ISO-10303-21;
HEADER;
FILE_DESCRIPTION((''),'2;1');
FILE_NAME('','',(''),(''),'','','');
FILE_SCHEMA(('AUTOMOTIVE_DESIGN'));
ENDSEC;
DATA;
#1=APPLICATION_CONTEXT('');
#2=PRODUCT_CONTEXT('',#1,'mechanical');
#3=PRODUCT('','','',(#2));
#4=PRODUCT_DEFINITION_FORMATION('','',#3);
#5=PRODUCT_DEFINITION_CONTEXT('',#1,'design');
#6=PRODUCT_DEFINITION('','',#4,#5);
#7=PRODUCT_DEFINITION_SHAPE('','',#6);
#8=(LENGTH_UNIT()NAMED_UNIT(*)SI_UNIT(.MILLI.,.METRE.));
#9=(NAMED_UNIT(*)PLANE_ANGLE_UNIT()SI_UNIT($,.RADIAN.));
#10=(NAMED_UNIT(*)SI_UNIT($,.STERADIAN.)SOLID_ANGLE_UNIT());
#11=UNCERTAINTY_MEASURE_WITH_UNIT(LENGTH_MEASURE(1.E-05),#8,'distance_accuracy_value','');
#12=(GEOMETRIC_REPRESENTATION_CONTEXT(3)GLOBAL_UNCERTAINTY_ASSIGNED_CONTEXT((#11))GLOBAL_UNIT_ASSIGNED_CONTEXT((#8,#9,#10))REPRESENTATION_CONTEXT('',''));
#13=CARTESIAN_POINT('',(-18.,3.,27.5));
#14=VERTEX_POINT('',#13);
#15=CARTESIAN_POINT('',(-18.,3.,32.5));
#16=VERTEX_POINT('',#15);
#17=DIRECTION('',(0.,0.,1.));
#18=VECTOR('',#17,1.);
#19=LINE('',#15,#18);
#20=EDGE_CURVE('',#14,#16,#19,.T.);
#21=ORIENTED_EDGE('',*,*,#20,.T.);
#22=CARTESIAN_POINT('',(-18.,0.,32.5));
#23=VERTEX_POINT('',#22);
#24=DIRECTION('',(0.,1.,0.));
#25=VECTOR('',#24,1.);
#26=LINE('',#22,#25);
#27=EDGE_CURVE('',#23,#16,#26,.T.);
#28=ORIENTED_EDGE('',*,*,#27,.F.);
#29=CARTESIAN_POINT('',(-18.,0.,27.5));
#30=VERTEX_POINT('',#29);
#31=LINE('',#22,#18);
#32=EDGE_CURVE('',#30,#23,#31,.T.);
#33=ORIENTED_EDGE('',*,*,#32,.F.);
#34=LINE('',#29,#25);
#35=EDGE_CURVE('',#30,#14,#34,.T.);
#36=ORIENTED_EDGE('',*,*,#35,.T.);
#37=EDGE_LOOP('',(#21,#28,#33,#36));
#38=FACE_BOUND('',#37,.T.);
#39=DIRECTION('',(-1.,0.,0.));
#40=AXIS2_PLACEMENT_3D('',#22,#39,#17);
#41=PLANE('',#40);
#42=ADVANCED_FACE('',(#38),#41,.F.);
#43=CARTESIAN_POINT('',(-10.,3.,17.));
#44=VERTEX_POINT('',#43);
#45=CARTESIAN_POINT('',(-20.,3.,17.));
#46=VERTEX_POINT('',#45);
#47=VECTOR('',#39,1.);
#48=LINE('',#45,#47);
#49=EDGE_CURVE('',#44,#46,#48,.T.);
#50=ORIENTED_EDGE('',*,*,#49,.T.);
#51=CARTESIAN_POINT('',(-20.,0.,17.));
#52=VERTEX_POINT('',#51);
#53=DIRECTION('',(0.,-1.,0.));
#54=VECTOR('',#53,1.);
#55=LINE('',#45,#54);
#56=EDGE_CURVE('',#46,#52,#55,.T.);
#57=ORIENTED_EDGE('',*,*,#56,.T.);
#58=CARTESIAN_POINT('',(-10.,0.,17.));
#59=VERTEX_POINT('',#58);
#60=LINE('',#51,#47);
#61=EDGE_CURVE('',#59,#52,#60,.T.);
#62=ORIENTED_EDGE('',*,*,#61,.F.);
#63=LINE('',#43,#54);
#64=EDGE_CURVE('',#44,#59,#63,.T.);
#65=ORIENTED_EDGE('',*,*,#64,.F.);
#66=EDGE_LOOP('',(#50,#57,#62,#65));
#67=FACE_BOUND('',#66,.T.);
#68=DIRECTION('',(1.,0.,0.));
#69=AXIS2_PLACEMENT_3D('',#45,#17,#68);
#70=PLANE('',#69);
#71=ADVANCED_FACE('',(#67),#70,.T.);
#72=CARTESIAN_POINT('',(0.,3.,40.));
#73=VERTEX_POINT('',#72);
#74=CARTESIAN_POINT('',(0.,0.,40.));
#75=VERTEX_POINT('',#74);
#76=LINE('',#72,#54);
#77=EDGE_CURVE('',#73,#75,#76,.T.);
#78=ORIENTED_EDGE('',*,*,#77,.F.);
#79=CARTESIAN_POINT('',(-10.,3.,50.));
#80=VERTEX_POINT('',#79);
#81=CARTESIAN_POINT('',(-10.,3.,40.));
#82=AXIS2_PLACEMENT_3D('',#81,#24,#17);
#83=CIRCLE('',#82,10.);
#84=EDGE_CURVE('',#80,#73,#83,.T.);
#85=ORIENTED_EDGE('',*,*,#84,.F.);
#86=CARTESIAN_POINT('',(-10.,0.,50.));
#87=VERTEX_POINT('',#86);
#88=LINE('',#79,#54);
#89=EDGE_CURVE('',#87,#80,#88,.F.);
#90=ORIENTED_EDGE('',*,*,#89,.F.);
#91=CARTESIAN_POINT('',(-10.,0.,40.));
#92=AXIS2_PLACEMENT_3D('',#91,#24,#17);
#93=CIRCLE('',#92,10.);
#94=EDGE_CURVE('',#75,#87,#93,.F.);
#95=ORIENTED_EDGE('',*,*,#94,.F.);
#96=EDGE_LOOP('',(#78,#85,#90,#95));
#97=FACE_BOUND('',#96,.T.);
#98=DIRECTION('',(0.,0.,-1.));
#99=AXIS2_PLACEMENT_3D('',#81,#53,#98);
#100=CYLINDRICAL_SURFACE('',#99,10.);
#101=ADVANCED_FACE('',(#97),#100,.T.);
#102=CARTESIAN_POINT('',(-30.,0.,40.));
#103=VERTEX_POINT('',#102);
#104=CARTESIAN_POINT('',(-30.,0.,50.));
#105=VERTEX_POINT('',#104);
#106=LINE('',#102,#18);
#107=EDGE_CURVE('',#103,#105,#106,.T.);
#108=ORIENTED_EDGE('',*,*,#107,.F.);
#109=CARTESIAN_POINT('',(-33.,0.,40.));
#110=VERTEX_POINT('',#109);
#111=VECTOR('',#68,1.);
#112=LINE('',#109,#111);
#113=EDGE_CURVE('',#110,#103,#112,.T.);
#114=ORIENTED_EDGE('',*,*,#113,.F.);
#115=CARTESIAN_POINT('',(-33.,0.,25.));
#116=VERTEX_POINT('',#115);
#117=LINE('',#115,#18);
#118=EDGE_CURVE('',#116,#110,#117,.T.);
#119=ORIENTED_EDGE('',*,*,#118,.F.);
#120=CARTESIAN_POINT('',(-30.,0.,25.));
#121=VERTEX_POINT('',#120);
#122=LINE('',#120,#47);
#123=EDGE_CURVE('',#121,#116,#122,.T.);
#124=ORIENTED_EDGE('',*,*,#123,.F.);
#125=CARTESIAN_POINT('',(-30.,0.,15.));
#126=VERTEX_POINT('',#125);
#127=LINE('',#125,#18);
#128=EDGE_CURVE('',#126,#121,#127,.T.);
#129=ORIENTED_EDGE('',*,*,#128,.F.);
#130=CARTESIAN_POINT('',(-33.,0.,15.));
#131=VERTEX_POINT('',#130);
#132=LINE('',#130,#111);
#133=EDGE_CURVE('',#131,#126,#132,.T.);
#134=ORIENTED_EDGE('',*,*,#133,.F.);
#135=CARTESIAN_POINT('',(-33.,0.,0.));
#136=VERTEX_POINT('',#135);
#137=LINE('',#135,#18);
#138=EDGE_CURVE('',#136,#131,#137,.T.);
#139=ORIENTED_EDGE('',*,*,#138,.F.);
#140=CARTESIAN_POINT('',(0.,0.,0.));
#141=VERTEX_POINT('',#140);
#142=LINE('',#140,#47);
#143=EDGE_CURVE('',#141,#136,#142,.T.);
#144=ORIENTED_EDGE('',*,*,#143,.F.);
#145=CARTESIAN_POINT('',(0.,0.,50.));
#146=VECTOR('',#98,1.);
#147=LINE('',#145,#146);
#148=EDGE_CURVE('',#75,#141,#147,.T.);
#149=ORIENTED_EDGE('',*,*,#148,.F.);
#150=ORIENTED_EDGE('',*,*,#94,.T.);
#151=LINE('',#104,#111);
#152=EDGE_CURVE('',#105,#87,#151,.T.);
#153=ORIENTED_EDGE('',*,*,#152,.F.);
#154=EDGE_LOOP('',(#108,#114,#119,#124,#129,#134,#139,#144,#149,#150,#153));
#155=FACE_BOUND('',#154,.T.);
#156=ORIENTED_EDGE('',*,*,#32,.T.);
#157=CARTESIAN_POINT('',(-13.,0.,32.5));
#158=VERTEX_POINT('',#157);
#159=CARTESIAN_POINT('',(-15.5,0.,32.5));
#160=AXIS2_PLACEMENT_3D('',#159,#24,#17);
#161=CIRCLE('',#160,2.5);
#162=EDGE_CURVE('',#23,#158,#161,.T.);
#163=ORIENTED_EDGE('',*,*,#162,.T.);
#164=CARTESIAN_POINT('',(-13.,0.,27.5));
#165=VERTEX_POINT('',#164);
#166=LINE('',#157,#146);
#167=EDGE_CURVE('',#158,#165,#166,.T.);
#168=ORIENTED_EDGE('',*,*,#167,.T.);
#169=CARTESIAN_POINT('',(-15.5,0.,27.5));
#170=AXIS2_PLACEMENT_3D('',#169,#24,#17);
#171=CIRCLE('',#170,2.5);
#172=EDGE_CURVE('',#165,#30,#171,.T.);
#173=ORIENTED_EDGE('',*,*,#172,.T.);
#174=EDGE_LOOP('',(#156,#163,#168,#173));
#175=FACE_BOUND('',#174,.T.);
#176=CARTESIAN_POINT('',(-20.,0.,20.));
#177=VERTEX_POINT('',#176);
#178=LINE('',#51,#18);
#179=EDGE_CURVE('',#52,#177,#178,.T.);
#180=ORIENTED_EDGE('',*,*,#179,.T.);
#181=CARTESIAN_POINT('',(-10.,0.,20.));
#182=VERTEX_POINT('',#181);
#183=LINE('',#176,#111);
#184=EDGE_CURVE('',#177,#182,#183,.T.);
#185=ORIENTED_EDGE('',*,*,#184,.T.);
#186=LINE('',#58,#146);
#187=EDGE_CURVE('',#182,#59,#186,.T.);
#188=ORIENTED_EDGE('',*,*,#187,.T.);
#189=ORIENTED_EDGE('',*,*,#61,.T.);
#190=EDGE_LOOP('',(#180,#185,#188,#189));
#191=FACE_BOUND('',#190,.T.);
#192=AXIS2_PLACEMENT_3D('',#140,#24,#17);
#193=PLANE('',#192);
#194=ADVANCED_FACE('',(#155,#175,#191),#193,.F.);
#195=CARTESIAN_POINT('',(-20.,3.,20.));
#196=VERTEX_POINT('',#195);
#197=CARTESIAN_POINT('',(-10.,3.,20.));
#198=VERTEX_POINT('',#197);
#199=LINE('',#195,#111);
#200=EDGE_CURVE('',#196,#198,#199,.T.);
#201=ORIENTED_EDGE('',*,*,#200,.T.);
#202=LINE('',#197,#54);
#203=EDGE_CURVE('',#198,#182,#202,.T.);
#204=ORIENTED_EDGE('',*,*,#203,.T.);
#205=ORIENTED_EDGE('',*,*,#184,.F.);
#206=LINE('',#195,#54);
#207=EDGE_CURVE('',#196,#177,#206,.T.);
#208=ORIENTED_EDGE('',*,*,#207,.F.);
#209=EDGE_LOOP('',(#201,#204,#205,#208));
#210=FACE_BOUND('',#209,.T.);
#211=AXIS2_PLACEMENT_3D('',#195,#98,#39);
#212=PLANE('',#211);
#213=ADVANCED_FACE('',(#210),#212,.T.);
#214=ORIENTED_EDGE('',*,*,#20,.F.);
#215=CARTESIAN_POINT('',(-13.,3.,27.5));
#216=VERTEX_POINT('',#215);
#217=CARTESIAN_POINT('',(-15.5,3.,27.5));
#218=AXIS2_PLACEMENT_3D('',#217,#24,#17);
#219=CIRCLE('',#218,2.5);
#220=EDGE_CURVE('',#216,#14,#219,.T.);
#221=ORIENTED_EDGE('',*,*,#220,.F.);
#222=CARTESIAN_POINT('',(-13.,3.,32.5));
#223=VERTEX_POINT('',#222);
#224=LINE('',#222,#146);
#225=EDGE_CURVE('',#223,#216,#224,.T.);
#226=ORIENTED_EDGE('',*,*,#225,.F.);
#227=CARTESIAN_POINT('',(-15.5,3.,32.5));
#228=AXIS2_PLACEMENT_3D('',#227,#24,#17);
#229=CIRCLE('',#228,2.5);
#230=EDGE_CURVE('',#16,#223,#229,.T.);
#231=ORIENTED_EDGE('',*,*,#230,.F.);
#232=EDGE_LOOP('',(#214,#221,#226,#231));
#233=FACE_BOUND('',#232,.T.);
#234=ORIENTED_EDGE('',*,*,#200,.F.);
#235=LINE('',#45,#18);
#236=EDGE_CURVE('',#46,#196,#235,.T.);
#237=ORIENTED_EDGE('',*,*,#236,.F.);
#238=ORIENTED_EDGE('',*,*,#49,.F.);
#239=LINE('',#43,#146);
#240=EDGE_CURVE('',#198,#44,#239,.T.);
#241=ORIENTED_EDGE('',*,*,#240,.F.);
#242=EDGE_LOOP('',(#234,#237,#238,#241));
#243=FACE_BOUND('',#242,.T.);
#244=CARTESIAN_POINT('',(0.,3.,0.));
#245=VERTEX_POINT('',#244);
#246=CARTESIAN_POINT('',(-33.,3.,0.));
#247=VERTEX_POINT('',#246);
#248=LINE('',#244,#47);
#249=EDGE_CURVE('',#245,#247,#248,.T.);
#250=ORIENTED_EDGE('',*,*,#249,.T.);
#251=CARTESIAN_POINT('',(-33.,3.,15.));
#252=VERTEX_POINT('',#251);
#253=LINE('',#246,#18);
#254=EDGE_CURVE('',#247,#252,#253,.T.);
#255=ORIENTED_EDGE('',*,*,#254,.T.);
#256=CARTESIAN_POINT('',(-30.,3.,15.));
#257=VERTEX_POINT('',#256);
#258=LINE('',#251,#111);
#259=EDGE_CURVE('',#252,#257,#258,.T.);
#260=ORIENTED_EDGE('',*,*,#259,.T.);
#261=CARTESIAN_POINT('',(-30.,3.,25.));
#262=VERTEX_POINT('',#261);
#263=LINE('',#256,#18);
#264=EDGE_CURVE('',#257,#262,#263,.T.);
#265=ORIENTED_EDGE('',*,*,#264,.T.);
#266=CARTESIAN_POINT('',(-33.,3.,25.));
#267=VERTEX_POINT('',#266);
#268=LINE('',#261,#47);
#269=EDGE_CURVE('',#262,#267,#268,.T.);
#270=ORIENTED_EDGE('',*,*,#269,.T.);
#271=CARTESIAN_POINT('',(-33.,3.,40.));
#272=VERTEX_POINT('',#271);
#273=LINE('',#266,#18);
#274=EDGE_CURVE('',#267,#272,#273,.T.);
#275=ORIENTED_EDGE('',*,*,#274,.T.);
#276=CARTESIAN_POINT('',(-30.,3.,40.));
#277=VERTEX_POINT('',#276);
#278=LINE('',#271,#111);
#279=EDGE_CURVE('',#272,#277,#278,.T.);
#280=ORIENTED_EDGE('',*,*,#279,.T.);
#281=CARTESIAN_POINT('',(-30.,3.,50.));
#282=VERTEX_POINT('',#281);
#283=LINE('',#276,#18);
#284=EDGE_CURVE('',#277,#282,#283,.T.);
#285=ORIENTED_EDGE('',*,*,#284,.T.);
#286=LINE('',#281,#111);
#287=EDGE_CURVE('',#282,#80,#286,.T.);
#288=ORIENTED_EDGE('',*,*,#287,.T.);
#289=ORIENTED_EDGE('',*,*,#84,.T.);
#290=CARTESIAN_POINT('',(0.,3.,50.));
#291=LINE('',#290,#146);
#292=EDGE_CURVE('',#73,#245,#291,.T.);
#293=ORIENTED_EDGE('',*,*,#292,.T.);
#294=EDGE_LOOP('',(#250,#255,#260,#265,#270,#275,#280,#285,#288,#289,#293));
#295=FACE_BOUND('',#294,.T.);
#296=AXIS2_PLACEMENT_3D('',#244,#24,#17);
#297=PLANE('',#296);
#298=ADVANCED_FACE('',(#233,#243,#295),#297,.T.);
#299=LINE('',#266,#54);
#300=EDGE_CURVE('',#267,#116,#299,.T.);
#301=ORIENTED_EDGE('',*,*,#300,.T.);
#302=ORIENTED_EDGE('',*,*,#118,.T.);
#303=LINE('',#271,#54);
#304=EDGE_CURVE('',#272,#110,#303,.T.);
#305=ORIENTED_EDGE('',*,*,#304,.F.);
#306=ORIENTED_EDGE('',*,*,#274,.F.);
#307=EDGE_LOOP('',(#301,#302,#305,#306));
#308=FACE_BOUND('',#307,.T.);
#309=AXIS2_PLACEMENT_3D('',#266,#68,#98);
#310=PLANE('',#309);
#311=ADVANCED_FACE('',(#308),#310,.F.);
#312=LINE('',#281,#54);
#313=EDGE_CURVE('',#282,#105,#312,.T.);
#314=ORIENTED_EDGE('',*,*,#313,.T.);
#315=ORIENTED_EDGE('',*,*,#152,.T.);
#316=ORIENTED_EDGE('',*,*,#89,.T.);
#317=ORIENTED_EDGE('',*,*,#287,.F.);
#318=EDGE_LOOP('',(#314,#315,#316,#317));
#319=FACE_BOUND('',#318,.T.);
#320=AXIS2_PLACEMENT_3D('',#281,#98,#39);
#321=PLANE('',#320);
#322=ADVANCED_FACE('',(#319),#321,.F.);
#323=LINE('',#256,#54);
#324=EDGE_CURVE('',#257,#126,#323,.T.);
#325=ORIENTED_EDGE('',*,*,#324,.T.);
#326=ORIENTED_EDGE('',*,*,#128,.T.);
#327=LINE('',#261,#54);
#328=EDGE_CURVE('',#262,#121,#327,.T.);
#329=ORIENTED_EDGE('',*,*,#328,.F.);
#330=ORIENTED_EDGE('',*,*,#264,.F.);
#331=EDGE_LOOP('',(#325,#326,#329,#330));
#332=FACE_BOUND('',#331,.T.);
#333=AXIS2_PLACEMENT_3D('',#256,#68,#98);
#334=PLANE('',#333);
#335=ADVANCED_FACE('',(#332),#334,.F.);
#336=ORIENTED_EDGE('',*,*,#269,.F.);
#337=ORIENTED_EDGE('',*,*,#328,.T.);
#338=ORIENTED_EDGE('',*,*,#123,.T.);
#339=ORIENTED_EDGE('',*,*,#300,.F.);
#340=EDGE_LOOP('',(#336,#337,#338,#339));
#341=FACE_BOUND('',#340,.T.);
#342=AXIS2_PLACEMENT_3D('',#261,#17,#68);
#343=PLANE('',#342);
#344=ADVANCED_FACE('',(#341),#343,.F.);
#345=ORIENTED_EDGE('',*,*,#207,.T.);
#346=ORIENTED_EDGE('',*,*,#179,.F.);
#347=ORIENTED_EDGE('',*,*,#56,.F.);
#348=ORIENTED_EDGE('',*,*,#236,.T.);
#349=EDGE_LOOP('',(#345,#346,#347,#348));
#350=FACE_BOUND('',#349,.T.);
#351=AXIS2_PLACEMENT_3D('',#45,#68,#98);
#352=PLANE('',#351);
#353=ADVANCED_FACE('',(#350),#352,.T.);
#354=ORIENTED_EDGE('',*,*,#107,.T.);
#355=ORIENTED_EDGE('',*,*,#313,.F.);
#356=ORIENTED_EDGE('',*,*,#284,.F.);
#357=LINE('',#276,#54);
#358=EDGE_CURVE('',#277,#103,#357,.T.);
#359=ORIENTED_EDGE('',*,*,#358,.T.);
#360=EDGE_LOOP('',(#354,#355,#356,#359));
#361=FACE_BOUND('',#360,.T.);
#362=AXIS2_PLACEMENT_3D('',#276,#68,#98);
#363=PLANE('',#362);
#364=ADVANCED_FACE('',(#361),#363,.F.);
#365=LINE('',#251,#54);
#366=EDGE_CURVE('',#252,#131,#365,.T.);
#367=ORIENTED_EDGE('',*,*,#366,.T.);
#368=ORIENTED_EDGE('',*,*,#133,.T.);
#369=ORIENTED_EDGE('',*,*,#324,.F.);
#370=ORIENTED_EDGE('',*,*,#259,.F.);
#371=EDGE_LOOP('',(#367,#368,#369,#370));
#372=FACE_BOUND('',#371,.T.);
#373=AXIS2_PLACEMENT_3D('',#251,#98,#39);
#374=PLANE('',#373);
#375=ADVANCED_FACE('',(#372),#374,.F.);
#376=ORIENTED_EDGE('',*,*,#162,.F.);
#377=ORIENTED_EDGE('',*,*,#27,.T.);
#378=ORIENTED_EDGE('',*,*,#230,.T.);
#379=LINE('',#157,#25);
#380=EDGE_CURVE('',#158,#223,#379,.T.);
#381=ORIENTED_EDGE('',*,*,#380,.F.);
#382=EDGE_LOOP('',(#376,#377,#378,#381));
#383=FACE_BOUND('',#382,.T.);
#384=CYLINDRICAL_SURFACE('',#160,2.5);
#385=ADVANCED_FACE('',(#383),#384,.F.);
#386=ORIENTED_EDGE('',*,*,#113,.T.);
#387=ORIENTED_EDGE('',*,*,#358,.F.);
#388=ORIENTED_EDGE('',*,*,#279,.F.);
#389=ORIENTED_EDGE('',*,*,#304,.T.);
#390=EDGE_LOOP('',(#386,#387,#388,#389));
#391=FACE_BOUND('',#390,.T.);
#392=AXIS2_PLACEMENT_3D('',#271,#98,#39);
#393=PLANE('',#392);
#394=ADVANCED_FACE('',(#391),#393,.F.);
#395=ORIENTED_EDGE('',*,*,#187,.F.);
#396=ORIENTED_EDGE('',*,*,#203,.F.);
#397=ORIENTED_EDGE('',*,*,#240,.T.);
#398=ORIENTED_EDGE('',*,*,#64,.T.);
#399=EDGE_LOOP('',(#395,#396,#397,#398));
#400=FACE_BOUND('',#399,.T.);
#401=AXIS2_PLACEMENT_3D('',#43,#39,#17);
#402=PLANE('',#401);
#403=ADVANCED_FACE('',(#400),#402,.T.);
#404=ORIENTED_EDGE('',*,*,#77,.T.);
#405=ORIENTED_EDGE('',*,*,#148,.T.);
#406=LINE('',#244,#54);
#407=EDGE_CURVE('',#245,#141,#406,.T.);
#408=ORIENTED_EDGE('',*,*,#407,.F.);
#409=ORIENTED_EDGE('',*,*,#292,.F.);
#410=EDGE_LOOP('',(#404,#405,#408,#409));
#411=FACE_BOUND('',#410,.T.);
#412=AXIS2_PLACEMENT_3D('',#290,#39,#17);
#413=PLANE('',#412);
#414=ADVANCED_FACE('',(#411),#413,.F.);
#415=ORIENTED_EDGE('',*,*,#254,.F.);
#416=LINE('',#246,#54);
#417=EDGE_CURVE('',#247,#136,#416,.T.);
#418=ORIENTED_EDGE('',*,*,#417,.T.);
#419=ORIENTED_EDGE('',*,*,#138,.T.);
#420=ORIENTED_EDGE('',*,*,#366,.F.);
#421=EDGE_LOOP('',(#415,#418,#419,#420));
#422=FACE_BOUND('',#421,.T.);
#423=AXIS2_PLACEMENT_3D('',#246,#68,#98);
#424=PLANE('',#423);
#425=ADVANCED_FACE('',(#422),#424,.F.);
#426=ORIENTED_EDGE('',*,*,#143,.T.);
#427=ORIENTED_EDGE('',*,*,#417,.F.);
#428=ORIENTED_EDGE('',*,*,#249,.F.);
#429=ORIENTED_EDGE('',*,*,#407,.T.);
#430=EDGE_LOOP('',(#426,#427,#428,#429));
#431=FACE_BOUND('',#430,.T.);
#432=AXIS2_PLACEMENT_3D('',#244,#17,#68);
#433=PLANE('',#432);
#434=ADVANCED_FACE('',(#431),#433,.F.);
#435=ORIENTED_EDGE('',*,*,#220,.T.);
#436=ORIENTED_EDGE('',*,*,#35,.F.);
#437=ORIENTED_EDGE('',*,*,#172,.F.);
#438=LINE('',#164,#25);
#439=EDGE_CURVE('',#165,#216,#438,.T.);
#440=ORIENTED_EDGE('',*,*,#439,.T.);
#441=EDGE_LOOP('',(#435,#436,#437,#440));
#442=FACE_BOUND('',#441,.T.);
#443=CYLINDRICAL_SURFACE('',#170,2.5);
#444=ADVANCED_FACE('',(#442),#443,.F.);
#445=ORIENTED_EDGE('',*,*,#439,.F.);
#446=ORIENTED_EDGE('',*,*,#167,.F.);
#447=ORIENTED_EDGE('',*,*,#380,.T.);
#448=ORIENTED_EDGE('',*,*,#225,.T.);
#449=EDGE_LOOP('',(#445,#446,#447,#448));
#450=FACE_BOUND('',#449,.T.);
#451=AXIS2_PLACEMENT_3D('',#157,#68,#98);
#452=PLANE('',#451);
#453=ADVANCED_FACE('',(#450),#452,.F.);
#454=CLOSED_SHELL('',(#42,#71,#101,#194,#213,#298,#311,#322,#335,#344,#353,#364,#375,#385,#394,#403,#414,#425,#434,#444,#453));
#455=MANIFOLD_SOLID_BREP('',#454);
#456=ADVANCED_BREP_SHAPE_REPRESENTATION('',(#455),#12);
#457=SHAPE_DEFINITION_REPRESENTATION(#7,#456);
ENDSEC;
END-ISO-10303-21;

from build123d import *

# Parameters (mm, degrees)
SKETCH1_W           = 10
SKETCH1_H           = 3
BOSS_EXTRUDE1_DEPTH = 3
CUT_EXTRUDE1_DEPTH  = 60.983331018
FILLET1_R           = 10


with BuildPart() as part:
    # Sketch1 → Boss-Extrude1 (new body)
    with BuildSketch(Plane(origin=(0, 0, 0), x_dir=(1, 0, 0), z_dir=(0, 1, 0))):
        Polygon((-33, 0), (-33, -15), (-30, -15), (-30, -25), (-33, -25), (-33, -40), (-30, -40), (-30, -50), (0, -50), (0, 0), align=None)
        with Locations((-15, -18.5)):
            Rectangle(SKETCH1_W, SKETCH1_H, mode=Mode.SUBTRACT)
    extrude(amount=BOSS_EXTRUDE1_DEPTH)

    # Sketch2 → Cut-Extrude1 (cut, through all)
    with BuildSketch(Plane(origin=(0, 3, 0), x_dir=(1, 0, 0), z_dir=(0, 1, 0))):
        with BuildLine():
            Line((-18, -32.5), (-18, -27.5))
            ThreePointArc((-18, -27.5), (-15.5, -25), (-13, -27.5))
            Line((-13, -27.5), (-13, -32.5))
            ThreePointArc((-13, -32.5), (-15.5, -35), (-18, -32.5))
        make_face()
    extrude(amount=-CUT_EXTRUDE1_DEPTH, mode=Mode.SUBTRACT)

    # Fillet1
    fillet1_edges = [part.edges().sort_by_distance(p)[0] for p in [
        (0, 1.5, 50),
    ]]
    fillet(fillet1_edges, radius=FILLET1_R)


solid = part.part
